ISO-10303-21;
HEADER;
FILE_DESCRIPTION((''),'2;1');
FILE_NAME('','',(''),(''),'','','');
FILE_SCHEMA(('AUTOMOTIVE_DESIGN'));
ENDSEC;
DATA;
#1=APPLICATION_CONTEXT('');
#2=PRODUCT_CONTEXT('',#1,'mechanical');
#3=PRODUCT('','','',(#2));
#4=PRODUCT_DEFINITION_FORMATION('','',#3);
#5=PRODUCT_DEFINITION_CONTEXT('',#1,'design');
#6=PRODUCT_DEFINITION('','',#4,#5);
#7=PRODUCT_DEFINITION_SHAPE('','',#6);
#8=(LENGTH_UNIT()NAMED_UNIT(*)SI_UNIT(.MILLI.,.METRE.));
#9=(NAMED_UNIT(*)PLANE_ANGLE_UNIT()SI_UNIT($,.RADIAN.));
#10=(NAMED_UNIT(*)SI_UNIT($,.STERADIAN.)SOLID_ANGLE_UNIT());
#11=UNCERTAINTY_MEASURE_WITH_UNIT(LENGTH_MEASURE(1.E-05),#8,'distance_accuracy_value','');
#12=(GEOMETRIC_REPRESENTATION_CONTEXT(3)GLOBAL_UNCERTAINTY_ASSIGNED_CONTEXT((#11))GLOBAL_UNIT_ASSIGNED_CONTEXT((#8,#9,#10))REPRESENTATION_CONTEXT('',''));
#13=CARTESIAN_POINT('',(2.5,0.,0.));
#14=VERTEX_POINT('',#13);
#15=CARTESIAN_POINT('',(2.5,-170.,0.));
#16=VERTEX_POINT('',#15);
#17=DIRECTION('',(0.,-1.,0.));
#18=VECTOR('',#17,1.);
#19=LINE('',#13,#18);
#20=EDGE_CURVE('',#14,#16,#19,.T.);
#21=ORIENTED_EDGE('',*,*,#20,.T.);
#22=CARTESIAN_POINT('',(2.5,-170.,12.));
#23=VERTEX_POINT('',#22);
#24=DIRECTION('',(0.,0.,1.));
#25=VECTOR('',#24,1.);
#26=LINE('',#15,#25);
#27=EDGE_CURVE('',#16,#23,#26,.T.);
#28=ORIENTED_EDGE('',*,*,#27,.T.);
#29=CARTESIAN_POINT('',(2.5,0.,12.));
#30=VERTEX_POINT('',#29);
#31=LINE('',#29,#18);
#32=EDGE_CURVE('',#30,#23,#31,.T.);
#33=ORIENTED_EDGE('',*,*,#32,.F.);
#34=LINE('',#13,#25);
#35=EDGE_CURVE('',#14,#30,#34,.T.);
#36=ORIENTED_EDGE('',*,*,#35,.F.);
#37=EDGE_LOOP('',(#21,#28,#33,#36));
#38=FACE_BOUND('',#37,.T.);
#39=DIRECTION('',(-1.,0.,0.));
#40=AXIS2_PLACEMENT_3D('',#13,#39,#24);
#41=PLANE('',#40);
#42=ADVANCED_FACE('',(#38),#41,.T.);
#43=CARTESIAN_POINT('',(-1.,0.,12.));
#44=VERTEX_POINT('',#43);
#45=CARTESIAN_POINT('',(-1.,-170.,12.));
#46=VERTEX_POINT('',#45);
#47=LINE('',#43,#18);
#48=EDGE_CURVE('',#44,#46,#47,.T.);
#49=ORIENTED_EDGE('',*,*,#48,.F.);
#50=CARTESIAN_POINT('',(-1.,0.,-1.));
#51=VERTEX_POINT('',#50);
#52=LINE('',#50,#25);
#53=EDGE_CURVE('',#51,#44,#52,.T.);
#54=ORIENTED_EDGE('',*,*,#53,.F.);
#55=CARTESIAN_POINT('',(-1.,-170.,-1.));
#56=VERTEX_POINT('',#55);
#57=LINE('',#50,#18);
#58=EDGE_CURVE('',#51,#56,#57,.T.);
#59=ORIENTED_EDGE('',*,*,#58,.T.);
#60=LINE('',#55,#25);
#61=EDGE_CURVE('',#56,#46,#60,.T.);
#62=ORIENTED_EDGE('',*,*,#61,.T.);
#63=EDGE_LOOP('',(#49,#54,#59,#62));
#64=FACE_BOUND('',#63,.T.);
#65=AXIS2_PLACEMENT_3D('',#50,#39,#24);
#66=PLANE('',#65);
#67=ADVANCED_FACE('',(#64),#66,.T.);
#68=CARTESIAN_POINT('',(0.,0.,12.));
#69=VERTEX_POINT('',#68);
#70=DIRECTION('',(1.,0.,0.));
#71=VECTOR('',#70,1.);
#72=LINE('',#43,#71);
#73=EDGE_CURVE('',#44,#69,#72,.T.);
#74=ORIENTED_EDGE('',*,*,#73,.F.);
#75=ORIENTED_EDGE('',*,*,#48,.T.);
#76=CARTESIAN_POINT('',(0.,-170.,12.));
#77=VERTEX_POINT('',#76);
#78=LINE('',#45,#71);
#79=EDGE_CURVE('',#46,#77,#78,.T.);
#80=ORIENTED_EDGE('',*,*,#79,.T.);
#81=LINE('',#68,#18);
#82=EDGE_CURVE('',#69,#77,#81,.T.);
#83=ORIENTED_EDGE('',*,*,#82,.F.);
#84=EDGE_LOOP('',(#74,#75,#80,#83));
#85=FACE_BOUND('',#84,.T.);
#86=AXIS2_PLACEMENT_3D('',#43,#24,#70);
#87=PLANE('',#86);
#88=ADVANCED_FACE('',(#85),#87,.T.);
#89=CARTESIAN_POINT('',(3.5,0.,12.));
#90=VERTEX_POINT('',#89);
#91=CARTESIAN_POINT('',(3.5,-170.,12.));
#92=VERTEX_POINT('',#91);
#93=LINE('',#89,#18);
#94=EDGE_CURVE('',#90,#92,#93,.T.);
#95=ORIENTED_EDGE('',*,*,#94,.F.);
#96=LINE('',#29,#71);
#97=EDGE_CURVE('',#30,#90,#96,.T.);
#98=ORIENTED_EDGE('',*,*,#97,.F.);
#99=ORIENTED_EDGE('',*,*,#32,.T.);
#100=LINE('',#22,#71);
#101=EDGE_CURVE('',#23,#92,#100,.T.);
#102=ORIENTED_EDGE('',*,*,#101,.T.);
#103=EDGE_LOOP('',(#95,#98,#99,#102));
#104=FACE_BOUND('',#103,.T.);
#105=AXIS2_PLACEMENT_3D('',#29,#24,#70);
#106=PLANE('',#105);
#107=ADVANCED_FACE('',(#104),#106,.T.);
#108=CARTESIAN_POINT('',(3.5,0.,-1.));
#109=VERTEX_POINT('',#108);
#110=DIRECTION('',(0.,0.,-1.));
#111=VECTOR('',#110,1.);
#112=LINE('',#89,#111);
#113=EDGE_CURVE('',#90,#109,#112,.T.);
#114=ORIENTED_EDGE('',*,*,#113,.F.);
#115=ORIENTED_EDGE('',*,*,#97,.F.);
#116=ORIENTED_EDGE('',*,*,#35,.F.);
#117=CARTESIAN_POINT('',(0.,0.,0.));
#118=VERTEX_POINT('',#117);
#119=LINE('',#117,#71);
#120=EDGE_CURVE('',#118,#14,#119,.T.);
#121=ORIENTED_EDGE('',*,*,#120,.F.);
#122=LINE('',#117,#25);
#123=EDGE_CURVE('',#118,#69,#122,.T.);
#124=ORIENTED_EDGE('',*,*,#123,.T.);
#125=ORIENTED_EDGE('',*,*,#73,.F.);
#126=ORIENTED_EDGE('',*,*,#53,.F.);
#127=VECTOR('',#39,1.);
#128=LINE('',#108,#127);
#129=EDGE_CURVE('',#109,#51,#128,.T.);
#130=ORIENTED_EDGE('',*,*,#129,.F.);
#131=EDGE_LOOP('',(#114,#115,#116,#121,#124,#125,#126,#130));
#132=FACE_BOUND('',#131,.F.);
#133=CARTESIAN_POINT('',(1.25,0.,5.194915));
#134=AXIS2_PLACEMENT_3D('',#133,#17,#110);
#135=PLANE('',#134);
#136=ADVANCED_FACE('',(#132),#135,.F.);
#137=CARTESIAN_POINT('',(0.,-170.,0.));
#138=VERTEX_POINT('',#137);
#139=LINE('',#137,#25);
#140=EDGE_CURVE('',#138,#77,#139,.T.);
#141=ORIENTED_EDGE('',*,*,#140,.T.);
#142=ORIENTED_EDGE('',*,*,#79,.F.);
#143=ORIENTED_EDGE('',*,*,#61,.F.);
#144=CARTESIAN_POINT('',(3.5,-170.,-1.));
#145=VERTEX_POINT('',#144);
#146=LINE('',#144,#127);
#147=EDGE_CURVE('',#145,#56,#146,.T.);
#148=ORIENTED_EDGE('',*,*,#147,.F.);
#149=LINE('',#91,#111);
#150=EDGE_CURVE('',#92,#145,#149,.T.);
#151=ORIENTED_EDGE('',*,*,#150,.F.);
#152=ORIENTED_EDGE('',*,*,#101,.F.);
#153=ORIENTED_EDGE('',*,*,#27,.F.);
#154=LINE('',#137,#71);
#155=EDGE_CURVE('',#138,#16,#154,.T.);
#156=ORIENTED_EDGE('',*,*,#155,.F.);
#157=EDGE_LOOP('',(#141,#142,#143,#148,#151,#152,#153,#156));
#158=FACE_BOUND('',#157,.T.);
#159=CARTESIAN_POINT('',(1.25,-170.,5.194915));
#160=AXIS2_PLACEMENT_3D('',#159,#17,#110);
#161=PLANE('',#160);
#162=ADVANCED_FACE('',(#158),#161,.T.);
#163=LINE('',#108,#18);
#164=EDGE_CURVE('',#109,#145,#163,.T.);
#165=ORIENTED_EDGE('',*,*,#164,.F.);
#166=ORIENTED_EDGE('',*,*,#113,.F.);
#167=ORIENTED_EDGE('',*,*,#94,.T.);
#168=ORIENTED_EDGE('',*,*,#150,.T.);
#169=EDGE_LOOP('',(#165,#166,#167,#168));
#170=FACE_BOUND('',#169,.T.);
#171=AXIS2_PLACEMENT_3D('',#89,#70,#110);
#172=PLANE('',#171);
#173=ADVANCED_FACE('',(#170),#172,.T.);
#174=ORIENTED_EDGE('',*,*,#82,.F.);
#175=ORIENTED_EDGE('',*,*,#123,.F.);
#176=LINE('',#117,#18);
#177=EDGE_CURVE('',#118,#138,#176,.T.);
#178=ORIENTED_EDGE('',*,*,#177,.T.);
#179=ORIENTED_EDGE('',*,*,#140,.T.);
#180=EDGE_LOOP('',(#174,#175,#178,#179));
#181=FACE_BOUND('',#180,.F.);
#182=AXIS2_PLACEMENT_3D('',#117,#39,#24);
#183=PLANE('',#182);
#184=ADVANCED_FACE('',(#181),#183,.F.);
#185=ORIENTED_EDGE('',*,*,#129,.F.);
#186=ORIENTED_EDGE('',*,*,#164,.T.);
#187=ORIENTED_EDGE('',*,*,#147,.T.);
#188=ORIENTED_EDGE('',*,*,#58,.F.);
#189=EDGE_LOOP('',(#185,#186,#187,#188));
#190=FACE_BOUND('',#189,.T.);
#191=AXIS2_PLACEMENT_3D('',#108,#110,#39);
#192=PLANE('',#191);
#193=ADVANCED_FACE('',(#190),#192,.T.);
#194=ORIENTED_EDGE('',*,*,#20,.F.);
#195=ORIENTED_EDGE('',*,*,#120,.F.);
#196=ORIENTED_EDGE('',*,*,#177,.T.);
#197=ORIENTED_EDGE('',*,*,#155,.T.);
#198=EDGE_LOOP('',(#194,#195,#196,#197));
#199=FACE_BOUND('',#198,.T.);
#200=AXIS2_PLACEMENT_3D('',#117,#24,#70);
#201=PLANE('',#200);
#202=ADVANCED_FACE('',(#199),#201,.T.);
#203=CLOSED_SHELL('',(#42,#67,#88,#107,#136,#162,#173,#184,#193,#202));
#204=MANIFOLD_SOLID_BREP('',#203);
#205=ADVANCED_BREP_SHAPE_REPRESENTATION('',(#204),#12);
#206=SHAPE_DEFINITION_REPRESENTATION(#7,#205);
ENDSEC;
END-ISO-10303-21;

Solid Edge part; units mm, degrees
sketch "Sketch1" plane through (0, 0, 0) normal (0, -1, 0) x (1, 0, 0)
  line L0 (0, 0) -> (0, 12)
  line L1 (-1, 12) -> (0, 12)
  line L2 (-1, -1) -> (-1, 12)
  line L3 (3.5, -1) -> (-1, -1)
  line L4 (3.5, 12) -> (3.5, -1)
  line L5 (2.5, 12) -> (3.5, 12)
  line L6 (2.5, 0) -> (2.5, 12)
  line L7 (0, 0) -> (2.5, 0)
extrude "Protrusion1" add sketch "Sketch1" along normal blind 170
